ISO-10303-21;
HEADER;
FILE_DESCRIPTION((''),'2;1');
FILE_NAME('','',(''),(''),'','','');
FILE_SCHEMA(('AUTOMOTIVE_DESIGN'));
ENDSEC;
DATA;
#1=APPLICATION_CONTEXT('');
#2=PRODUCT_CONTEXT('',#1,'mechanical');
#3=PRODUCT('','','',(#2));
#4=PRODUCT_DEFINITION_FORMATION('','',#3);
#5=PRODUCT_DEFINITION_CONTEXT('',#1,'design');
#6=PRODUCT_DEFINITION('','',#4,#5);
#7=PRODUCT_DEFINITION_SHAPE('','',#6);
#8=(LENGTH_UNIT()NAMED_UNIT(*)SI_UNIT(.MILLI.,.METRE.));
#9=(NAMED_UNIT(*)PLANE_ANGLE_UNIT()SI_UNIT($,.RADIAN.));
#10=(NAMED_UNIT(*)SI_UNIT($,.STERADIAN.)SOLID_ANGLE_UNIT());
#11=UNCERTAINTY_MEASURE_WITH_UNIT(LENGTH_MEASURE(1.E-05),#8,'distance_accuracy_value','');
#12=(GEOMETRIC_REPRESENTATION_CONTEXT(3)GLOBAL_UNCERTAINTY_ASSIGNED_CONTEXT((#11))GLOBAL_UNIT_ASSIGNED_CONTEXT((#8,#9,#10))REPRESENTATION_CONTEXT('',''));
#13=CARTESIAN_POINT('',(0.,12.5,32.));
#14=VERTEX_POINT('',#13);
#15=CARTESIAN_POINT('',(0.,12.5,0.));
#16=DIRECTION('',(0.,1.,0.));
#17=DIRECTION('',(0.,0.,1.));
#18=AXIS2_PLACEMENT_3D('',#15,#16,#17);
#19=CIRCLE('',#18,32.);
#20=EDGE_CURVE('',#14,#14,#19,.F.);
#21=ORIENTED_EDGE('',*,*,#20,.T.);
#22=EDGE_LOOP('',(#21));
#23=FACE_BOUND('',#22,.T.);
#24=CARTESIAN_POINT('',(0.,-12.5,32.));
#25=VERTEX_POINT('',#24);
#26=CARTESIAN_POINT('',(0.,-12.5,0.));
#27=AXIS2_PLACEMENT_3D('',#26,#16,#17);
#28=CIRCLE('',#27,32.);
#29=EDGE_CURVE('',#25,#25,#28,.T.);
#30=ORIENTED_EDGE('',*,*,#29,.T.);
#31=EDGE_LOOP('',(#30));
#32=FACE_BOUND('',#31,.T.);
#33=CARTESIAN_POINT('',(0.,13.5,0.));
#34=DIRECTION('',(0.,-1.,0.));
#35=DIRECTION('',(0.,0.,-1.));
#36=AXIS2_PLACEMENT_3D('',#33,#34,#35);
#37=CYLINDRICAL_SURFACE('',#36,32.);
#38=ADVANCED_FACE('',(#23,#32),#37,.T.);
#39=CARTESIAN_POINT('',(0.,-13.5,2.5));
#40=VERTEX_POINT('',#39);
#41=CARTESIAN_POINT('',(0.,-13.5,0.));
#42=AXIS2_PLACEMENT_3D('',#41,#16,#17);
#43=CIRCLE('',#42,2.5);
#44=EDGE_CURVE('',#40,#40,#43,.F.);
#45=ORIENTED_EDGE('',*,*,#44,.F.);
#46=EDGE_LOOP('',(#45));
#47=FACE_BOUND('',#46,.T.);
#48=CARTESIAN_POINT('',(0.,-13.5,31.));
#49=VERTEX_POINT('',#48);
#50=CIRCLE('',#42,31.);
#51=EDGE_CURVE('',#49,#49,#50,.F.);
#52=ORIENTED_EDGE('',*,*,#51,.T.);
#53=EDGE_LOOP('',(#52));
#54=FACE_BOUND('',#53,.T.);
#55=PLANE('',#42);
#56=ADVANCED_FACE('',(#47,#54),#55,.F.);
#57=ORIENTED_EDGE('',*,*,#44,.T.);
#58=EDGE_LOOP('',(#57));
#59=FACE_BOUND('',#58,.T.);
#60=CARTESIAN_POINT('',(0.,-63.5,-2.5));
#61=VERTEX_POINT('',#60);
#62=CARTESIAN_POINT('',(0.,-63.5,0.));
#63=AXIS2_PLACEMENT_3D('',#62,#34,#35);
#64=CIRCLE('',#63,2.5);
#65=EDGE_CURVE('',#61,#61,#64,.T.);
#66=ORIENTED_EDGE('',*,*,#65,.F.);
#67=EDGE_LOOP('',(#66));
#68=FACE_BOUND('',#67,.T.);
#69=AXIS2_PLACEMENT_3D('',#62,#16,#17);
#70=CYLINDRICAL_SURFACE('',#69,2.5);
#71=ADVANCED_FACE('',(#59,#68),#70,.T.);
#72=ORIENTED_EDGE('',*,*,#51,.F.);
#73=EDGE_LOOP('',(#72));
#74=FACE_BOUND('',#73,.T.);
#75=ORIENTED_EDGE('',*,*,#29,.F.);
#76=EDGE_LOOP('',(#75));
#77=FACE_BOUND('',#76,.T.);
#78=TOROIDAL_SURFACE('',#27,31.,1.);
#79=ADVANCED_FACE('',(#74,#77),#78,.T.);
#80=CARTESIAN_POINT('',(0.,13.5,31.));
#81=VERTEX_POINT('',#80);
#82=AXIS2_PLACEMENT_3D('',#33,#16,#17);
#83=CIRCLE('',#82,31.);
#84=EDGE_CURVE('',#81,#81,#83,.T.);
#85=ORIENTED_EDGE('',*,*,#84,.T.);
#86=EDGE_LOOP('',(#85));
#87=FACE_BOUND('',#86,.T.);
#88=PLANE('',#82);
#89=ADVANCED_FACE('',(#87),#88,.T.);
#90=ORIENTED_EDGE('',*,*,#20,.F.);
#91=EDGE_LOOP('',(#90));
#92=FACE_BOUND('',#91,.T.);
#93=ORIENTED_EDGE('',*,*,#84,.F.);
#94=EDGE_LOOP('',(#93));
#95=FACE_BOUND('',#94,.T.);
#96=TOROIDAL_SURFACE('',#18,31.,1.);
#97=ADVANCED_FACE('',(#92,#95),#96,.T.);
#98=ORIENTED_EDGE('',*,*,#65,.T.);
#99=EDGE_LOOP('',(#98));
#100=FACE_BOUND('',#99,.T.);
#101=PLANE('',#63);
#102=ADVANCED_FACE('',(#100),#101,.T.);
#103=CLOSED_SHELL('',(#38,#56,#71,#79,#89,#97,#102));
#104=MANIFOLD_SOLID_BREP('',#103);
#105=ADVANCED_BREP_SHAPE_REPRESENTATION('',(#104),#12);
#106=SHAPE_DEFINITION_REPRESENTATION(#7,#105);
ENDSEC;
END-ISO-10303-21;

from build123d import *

# Parameters (mm, degrees)
SKETCH1_R           = 32
BOSS_EXTRUDE1_DEPTH = 13.5
FILLET1_R           = 1
FILLET2_R           = 1
SKETCH2_R           = 2.5
BOSS_EXTRUDE2_DEPTH = 50


with BuildPart() as part:
    # Sketch1 → Boss-Extrude1 (new, symmetric)
    with BuildSketch(Plane(origin=(0, 0, 0), x_dir=(1, 0, 0), z_dir=(0, 1, 0))):
        with Locations(Location((0, 0, 0), (0, 0, 270))):
            Circle(SKETCH1_R)
    extrude(amount=BOSS_EXTRUDE1_DEPTH, both=True)

    # Fillet1
    fillet1_edges = [part.edges().sort_by_distance(p)[0] for p in [
        (0, -13.5, -32),
    ]]
    fillet(fillet1_edges, radius=FILLET1_R)

    # Fillet2
    fillet2_edges = [part.edges().sort_by_distance(p)[0] for p in [
        (0, 13.5, -32),
    ]]
    fillet(fillet2_edges, radius=FILLET2_R)

    # Sketch2 → Boss-Extrude2 (add)
    with BuildSketch(Plane(origin=(0, -13.5, 0), x_dir=(-1, 0, 0), z_dir=(0, -1, 0))):
        with Locations(Location((0, 0, 0), (0, 0, 270))):
            Circle(SKETCH2_R)
    extrude(amount=BOSS_EXTRUDE2_DEPTH)


solid = part.part
